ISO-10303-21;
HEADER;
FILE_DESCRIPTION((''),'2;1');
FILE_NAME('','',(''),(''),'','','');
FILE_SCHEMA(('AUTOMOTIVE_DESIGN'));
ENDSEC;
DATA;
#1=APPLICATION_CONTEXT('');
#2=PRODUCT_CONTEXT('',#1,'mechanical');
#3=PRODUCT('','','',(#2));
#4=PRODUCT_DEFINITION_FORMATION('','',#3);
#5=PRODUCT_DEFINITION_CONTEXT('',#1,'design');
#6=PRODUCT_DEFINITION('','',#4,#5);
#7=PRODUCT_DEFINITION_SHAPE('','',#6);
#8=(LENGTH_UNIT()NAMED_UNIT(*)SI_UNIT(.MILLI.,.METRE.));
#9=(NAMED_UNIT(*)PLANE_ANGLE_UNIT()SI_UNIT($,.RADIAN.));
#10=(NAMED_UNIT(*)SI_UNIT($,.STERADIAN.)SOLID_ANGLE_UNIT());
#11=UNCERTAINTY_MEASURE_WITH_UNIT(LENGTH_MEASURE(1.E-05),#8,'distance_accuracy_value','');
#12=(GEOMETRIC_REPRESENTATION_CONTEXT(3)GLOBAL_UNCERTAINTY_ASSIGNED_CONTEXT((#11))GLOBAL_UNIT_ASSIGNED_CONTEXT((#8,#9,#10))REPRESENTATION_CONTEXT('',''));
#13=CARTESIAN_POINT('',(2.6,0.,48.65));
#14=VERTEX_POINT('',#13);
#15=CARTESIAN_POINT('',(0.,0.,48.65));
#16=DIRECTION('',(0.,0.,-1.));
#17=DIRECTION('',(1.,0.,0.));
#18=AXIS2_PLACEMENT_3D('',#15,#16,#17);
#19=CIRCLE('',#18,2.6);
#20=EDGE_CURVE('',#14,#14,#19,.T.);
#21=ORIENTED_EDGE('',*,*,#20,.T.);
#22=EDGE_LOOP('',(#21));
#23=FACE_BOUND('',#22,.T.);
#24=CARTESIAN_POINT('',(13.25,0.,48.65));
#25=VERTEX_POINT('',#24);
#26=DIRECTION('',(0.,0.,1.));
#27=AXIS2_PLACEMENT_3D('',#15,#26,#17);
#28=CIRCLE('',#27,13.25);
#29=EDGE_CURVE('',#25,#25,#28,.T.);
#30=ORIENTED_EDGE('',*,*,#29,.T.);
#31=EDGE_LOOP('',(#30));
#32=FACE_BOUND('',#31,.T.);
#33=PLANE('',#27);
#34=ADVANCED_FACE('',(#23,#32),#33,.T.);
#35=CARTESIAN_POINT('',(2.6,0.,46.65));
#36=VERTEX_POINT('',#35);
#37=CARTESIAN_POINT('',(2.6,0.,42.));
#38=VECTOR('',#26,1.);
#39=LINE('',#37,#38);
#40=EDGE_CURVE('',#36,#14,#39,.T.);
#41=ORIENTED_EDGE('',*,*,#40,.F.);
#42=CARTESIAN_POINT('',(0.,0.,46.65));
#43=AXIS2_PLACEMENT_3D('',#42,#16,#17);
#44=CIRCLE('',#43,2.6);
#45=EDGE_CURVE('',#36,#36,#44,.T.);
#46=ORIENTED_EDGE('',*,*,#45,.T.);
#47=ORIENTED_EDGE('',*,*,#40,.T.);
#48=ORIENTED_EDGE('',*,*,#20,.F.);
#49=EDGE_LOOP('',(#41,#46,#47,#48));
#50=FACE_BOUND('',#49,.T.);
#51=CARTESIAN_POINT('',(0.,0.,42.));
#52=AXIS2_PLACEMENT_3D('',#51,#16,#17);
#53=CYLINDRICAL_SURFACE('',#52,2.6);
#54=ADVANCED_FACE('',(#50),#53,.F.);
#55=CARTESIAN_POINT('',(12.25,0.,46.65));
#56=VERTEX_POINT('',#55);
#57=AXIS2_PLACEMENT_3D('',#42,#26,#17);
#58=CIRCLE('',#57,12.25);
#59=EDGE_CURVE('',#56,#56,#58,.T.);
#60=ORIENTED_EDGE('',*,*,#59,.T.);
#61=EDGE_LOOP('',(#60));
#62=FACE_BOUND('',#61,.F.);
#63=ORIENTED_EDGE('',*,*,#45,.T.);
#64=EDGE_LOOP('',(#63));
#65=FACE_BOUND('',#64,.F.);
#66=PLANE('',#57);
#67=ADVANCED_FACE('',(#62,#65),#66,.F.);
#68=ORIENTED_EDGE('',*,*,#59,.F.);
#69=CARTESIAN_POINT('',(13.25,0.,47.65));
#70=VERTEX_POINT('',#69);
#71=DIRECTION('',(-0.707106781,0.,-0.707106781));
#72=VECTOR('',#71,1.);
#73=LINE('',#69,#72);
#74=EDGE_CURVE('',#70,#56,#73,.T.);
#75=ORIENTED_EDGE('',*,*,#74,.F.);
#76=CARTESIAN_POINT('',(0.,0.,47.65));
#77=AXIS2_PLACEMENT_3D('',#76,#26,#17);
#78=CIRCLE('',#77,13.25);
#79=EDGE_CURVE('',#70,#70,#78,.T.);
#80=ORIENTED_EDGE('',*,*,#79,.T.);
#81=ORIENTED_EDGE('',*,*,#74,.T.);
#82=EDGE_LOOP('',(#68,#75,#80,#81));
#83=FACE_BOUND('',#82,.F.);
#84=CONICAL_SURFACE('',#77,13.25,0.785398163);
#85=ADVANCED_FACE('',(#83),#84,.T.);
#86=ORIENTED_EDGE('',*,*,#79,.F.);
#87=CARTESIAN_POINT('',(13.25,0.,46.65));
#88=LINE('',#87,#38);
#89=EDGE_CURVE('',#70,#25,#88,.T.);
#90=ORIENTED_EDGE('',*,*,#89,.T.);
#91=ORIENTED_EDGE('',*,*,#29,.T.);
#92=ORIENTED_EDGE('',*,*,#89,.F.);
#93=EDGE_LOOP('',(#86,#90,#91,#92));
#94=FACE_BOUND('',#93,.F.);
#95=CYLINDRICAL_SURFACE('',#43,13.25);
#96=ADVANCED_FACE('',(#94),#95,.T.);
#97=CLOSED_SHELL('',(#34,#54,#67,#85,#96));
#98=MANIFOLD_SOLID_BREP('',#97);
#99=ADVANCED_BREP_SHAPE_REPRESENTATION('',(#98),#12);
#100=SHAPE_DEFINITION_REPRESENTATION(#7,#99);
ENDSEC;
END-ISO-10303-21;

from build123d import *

# Parameters (mm, degrees)
CYLINDER1981_R     = 2.6
CYLINDER1981_DEPTH = 33
CYLINDER1980_R     = 13.25
CYLINDER1980_DEPTH = 2
CHAMFER100_SIZE    = 1


with BuildPart() as v_lec1981:
    # Cylinder1981 → Cylinder1981 (new body)
    with BuildSketch(Plane.XY.offset(42)):
        Circle(CYLINDER1981_R)
    extrude(amount=CYLINDER1981_DEPTH)


with BuildPart() as chamfer100:
    # Cylinder1980 → Cylinder1980 (new body)
    with BuildSketch(Plane.XY.offset(46.65)):
        Circle(CYLINDER1980_R)
    extrude(amount=CYLINDER1980_DEPTH)

    # Cut740: cut Válec1981
    add(v_lec1981.part, mode=Mode.SUBTRACT)

    # Chamfer100
    chamfer100_edges = [chamfer100.edges().sort_by_distance(p)[0] for p in [
        (-13.25, 0, 46.65),
    ]]
    chamfer(chamfer100_edges, length=CHAMFER100_SIZE)


solid = chamfer100.part
